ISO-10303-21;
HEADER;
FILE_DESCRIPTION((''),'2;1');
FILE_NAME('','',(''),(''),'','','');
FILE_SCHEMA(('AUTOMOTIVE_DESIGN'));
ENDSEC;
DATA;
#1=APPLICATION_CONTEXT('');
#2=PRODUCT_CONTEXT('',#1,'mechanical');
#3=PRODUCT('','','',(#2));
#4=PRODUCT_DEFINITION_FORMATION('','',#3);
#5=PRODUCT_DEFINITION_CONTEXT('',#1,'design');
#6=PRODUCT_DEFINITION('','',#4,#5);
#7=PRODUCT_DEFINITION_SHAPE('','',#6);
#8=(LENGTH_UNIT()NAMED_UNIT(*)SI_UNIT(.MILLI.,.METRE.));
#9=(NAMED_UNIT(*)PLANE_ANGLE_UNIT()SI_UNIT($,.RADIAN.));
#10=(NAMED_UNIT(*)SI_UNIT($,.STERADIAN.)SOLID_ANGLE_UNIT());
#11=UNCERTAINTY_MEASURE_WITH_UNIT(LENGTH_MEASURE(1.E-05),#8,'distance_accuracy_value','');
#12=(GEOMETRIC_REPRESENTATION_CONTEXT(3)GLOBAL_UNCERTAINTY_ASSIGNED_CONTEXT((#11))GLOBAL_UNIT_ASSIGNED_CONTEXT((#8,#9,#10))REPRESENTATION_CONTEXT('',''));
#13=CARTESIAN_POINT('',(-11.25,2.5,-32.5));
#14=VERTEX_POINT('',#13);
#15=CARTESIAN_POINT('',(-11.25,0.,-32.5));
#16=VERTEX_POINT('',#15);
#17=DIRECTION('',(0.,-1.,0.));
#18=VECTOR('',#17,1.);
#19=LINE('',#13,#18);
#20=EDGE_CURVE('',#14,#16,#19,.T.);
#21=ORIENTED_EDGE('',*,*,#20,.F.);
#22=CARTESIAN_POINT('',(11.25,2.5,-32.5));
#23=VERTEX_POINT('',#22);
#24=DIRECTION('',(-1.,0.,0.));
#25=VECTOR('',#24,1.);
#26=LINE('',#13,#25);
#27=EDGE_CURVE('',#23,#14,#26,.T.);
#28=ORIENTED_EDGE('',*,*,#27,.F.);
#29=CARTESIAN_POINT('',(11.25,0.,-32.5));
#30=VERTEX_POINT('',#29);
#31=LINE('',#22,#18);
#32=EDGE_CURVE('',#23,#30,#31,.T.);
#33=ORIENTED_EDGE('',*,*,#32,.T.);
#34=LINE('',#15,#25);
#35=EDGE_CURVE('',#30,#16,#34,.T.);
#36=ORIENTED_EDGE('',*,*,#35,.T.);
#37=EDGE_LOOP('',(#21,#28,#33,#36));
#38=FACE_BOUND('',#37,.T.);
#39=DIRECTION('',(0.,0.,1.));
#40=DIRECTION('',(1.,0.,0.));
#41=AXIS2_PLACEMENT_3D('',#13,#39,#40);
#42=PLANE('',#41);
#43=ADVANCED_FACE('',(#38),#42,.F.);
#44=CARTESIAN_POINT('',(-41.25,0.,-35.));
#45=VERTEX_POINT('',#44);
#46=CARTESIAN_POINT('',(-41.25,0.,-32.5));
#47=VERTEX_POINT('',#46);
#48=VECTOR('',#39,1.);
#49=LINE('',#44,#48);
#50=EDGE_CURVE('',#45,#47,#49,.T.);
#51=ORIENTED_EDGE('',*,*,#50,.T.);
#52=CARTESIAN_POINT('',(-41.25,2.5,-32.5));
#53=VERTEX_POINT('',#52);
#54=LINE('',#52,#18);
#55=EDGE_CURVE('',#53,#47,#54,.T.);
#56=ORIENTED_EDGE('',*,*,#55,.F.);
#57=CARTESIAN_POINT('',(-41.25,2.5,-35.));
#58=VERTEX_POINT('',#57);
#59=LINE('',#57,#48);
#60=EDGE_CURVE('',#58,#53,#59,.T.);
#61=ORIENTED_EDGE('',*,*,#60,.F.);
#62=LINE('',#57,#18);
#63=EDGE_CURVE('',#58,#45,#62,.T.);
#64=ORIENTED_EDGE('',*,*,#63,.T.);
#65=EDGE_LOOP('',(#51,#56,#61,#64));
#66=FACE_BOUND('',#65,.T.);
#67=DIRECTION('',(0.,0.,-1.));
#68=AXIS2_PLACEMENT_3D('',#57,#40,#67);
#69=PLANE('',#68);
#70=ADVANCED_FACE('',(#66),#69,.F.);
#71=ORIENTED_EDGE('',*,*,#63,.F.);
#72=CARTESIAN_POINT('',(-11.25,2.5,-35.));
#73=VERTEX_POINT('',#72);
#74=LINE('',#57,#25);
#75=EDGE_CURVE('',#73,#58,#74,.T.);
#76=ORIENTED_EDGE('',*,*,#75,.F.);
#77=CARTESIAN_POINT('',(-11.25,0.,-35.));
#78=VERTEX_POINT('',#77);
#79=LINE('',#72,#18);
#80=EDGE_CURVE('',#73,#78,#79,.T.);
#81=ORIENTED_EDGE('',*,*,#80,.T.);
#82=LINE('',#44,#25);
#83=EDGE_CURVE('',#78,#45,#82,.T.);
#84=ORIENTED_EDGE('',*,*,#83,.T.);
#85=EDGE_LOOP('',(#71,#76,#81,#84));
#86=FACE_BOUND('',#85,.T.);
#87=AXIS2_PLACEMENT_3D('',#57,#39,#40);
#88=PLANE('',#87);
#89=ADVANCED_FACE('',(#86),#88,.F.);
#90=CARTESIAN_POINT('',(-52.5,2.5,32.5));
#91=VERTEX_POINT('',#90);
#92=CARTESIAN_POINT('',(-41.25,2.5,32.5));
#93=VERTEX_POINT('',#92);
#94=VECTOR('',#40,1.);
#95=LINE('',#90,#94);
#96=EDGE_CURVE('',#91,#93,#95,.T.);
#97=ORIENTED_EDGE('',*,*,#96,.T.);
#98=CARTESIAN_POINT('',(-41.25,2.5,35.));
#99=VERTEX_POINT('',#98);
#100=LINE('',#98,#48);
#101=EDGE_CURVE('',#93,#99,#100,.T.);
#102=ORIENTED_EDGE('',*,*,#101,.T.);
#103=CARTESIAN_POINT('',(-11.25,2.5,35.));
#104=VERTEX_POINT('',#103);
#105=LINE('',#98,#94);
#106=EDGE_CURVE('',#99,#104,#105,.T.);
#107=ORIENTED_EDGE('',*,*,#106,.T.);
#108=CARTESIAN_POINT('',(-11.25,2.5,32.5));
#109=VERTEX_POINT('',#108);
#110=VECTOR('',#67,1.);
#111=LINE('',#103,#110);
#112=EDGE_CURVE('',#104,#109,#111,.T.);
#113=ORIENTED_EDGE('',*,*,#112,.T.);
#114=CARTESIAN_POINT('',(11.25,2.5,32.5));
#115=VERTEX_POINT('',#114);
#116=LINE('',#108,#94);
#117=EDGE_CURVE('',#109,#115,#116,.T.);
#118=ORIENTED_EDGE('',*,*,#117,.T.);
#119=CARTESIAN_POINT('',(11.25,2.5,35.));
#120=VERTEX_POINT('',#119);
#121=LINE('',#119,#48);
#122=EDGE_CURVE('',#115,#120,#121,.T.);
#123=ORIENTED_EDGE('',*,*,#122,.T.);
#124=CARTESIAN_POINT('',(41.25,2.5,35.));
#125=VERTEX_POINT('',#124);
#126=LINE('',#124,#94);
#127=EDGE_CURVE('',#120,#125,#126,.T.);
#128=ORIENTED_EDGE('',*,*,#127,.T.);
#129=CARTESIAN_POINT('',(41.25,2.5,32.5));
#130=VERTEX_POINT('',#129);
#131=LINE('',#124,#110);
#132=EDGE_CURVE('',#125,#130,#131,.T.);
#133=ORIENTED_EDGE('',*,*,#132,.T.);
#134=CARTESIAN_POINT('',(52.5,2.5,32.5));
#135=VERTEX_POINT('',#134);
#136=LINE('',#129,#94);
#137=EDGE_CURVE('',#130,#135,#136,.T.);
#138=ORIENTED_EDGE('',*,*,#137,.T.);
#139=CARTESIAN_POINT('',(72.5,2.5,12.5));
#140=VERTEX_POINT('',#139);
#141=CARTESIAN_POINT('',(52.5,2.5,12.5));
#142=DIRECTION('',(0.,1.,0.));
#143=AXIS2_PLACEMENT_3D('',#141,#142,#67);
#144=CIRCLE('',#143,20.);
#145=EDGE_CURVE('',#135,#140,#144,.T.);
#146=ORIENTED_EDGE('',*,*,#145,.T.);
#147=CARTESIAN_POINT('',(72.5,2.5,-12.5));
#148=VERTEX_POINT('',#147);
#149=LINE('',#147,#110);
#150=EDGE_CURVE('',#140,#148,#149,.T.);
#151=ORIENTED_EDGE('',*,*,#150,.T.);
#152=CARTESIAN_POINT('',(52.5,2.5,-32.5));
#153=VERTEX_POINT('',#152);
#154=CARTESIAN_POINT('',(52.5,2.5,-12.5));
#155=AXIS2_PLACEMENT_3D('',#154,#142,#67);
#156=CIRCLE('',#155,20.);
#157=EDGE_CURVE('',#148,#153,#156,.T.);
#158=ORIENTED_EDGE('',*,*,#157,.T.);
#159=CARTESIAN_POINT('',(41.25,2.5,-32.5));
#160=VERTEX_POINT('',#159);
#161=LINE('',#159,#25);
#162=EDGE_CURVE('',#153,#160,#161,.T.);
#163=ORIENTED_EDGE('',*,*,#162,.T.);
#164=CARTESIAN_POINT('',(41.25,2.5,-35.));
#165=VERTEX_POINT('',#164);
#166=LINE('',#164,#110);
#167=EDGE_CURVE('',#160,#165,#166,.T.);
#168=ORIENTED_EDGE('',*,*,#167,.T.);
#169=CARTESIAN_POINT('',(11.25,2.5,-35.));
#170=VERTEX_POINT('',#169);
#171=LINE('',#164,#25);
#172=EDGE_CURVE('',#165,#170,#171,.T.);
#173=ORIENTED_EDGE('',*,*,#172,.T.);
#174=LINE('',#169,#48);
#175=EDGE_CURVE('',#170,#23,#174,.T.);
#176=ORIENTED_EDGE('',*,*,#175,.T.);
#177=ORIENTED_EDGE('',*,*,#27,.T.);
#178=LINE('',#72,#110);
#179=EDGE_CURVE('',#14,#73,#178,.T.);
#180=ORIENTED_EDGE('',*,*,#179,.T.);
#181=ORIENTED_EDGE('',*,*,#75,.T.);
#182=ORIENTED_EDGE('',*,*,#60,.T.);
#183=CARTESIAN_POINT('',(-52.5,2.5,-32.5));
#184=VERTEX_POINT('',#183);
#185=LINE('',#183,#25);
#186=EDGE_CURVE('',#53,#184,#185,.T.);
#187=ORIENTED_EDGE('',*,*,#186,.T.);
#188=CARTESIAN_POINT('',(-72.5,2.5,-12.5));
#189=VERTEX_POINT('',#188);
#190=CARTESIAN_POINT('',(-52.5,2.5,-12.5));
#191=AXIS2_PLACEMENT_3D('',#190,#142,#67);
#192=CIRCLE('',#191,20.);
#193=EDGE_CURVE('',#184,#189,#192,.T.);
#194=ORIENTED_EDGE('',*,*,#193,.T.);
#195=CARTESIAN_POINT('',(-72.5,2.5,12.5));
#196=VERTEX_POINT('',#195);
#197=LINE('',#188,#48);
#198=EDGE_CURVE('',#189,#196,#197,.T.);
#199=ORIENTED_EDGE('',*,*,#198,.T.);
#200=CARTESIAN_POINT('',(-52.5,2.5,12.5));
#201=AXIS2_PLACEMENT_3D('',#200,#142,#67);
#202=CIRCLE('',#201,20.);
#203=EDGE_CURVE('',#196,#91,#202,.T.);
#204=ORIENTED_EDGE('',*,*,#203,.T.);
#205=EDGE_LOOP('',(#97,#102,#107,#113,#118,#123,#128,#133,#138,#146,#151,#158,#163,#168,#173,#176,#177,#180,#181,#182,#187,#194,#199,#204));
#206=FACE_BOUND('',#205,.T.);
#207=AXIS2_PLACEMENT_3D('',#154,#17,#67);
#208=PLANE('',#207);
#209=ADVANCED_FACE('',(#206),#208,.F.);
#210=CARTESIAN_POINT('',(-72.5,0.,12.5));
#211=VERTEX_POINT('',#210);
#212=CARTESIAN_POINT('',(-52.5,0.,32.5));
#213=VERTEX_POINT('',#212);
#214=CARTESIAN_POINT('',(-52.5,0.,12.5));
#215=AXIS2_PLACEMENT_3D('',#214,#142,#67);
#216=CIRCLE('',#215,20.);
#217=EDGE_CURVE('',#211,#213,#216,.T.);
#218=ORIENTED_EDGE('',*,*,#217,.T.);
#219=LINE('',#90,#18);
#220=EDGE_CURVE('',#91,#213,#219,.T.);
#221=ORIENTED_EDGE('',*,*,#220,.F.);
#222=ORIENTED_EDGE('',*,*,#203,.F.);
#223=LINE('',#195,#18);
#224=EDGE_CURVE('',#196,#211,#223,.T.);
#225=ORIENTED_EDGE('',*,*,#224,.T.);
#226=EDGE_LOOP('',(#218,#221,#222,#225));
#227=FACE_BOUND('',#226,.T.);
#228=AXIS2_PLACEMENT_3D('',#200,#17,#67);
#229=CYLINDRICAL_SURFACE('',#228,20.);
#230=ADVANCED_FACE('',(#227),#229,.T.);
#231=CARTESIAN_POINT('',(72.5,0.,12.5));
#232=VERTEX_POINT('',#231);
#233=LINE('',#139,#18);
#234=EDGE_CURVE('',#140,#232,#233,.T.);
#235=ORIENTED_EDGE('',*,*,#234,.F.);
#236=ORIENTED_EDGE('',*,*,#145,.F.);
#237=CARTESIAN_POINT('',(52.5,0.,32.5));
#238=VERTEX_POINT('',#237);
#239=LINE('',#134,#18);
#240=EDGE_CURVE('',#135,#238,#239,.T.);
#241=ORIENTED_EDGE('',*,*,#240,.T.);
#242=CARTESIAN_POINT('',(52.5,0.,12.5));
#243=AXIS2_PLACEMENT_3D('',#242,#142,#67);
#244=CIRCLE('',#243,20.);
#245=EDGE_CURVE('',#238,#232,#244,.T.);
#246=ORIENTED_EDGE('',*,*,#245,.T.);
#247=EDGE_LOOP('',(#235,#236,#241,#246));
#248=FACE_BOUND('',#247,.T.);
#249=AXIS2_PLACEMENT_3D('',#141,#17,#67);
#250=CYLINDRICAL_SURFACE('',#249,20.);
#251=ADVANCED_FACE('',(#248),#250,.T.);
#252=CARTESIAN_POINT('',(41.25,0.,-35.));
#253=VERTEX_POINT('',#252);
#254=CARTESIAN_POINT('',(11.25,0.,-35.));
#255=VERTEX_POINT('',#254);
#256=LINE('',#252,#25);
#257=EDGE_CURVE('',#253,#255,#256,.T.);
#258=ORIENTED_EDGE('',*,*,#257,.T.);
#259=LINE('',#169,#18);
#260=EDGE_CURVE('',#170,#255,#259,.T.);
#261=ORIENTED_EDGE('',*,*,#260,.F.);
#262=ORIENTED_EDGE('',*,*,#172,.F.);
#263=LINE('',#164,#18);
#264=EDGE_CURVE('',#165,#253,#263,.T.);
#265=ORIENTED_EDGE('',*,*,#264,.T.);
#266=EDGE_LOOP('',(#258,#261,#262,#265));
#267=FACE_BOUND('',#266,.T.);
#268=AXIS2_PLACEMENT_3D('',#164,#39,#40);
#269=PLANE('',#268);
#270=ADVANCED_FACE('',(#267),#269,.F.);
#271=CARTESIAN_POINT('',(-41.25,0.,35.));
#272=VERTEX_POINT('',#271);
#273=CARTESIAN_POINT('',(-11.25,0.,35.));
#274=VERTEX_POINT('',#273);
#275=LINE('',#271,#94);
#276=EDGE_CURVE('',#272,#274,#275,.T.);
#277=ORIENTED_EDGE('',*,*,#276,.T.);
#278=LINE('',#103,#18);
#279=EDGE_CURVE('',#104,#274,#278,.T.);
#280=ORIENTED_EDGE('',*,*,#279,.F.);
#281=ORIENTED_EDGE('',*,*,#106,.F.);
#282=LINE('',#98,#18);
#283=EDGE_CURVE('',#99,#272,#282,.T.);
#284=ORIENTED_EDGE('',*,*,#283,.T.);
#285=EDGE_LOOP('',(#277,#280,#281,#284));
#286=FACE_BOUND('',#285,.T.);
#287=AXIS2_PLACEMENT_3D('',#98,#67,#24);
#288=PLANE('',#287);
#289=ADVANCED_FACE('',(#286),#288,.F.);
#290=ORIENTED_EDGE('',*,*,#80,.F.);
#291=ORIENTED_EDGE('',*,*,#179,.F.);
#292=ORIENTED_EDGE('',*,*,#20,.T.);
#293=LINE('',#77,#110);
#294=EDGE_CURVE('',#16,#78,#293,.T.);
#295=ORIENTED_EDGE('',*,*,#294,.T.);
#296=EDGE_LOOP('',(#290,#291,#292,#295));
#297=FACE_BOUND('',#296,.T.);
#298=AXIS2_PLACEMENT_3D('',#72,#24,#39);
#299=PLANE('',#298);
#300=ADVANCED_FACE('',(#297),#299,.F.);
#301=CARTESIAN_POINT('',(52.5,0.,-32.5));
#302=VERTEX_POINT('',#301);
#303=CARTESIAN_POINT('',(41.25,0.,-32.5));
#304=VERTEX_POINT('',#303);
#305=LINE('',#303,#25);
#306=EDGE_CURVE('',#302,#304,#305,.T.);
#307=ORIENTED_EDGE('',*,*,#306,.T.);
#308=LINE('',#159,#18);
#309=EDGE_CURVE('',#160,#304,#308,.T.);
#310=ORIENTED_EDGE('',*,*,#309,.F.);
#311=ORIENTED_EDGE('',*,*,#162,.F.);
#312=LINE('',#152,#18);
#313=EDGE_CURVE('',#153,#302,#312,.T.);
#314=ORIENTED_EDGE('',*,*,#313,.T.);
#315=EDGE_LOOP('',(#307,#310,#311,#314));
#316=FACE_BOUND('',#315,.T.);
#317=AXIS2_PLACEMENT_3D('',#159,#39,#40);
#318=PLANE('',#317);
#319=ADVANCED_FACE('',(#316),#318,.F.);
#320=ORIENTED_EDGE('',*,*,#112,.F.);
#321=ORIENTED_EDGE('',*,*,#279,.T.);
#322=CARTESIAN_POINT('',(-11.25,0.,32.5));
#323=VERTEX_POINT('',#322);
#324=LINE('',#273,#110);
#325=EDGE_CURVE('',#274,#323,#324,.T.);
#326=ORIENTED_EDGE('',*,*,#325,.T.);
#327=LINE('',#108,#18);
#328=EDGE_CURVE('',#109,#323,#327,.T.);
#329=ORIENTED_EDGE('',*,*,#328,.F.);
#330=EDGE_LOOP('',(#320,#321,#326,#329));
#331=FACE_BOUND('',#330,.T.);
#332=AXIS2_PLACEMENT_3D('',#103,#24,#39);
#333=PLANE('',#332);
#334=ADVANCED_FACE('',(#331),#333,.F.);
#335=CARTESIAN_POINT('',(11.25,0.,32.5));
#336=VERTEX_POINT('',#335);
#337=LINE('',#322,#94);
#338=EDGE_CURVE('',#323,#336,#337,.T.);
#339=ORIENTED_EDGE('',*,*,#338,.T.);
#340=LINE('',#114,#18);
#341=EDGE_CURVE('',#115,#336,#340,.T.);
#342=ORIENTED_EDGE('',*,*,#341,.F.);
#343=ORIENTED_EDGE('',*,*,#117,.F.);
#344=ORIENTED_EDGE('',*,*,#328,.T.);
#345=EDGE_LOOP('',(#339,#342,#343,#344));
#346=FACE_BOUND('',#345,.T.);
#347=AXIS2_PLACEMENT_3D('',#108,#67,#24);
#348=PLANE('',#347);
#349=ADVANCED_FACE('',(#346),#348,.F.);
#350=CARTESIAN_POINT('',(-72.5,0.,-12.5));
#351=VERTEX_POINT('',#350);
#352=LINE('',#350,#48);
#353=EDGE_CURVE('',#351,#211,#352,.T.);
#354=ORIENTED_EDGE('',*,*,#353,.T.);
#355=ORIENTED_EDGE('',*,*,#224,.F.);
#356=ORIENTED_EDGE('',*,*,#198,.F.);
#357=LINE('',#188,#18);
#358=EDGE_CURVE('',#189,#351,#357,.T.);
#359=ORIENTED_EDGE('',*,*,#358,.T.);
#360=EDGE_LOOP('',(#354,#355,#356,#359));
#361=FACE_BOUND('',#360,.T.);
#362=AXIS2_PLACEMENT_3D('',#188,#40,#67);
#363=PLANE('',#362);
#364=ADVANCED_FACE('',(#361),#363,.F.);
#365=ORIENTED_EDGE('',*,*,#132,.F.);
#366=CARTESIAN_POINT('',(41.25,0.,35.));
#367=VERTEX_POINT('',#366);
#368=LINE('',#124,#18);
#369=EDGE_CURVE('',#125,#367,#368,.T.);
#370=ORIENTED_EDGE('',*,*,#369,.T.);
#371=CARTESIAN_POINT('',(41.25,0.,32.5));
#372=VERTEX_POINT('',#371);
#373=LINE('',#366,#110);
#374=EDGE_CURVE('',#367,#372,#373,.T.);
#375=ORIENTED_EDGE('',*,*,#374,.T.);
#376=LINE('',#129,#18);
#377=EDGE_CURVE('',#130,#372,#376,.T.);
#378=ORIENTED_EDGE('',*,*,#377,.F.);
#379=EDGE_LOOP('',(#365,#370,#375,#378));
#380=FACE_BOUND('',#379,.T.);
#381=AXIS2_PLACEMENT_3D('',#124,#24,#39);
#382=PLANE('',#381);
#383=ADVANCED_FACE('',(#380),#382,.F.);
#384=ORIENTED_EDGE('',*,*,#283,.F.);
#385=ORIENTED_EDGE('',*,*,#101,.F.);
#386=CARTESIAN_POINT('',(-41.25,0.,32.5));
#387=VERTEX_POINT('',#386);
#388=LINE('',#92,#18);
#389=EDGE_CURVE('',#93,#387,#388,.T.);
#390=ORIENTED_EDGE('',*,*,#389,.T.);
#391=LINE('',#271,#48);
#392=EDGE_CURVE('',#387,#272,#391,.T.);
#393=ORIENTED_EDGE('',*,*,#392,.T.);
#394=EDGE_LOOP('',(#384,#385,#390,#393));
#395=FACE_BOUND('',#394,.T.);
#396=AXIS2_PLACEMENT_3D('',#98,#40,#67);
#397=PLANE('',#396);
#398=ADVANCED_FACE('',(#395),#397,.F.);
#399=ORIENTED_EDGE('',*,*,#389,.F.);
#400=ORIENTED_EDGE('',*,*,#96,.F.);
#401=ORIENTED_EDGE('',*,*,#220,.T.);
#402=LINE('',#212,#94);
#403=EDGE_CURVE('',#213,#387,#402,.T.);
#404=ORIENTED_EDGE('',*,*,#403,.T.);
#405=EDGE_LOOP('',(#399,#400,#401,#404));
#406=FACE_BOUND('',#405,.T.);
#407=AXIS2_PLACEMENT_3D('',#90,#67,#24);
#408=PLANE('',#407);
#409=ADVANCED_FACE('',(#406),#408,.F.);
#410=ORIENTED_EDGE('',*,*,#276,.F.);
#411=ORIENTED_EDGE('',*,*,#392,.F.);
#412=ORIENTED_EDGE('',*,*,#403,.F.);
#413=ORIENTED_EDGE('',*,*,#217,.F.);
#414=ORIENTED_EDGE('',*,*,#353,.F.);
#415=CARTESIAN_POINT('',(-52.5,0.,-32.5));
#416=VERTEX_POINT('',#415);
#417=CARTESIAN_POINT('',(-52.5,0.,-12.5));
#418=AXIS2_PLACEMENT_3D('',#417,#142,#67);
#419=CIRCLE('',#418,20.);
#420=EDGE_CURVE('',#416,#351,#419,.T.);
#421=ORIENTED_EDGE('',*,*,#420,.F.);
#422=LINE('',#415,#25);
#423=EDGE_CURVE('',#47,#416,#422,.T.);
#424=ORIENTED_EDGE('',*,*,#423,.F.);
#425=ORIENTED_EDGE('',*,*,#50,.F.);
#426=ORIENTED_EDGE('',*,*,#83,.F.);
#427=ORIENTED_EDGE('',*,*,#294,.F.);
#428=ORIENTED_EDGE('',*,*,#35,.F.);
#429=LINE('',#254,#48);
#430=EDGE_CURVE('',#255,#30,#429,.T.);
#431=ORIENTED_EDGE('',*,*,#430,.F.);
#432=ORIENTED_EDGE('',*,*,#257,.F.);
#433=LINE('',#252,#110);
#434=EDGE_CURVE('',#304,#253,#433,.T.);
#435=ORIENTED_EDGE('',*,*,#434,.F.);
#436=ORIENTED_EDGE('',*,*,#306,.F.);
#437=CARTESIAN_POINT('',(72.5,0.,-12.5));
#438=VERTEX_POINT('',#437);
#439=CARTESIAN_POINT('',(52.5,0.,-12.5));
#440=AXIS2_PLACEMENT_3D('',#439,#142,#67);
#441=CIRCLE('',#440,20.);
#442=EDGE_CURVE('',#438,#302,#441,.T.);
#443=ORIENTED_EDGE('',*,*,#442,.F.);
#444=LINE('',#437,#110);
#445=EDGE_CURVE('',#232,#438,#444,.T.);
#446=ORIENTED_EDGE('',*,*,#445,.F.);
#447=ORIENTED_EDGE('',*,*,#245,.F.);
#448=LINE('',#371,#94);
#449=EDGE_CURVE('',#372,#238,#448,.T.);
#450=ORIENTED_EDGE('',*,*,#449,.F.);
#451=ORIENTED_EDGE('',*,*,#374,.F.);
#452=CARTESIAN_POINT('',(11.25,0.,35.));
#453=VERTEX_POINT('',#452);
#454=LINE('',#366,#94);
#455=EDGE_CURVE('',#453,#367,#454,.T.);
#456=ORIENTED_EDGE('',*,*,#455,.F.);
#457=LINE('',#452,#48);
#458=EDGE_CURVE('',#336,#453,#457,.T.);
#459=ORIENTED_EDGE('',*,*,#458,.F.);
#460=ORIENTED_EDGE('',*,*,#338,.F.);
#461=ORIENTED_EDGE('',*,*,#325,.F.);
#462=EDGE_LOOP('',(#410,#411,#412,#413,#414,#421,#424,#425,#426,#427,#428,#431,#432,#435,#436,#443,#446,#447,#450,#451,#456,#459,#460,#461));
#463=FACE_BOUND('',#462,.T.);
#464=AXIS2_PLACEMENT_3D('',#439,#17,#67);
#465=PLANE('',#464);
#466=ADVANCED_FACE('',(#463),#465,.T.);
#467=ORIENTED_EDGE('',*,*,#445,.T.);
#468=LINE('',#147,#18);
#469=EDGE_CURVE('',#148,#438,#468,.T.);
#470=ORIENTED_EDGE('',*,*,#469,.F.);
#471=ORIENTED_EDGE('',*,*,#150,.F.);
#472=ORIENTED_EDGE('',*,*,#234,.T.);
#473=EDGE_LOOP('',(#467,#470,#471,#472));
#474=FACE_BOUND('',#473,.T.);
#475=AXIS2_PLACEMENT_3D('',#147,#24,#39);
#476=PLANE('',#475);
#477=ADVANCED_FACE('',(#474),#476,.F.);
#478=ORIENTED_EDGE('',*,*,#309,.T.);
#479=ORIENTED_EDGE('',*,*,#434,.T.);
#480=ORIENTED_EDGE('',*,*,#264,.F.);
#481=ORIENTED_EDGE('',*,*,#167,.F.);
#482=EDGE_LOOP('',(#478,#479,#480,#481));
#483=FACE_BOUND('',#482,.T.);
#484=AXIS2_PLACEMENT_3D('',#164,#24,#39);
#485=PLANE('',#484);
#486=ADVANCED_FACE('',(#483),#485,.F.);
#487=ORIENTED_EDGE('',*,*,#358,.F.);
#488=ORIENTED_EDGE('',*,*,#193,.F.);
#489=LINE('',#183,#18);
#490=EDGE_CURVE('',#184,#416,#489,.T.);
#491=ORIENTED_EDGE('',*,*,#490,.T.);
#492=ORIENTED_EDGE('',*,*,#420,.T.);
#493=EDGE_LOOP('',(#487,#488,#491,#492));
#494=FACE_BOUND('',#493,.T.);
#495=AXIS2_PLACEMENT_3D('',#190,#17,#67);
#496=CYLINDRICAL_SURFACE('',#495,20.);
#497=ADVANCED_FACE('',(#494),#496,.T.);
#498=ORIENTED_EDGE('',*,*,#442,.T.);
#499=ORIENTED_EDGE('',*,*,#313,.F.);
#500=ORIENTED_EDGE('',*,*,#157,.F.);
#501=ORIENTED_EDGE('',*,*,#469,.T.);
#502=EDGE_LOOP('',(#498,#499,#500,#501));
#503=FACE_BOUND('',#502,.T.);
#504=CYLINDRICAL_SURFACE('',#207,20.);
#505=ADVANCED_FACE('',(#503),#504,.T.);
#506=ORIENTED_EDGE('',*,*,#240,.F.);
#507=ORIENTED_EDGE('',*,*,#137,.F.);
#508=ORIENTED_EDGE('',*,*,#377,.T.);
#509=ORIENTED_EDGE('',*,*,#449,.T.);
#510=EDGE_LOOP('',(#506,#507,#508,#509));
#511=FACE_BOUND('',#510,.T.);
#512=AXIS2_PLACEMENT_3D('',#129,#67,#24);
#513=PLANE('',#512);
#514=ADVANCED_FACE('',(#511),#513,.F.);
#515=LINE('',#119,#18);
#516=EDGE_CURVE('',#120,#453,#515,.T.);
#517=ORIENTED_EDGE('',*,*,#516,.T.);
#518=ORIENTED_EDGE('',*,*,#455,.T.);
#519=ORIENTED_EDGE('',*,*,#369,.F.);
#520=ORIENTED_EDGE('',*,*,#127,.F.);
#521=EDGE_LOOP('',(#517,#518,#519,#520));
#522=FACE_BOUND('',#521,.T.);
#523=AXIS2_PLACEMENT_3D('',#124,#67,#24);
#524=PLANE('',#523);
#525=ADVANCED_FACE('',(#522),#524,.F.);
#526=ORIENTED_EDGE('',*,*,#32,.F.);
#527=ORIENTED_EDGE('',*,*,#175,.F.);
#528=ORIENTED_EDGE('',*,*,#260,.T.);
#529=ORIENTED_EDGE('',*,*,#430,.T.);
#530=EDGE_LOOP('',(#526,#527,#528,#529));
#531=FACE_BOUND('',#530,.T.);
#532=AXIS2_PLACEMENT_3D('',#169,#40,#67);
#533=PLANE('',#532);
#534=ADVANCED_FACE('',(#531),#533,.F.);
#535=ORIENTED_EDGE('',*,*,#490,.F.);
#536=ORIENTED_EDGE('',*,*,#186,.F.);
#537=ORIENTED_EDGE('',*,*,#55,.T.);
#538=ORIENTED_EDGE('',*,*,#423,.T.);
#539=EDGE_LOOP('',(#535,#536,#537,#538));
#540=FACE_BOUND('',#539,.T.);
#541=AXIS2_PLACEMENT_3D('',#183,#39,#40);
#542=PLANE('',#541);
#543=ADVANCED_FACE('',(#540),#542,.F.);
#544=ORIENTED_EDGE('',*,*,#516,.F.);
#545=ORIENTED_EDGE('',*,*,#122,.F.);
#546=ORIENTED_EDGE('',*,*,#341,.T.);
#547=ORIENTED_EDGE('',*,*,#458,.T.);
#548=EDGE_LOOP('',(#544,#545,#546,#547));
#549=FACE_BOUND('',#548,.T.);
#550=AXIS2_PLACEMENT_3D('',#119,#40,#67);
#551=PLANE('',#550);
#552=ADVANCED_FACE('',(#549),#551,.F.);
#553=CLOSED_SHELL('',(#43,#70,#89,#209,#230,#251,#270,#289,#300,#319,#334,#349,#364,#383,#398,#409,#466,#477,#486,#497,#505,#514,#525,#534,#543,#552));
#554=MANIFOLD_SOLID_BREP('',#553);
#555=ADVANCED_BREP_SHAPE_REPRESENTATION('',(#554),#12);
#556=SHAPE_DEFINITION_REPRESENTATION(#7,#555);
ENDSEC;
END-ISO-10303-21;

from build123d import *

# Parameters (mm, degrees)
BOSS_EXTRUDE2_DEPTH = 2.5


with BuildPart() as part:
    # Sketch1 → Boss-Extrude2 (new body)
    with BuildSketch(Plane(origin=(0, 0, 0), x_dir=(1, 0, 0), z_dir=(0, 1, 0))):
        with BuildLine():
            Line((-52.5, 32.5), (-41.25, 32.5))
            Line((-41.25, 32.5), (-41.25, 35))
            Line((-41.25, 35), (-11.25, 35))
            Line((-11.25, 35), (-11.25, 32.5))
            Line((-11.25, 32.5), (11.25, 32.5))
            Line((11.25, 32.5), (11.25, 35))
            Line((11.25, 35), (41.25, 35))
            Line((41.25, 35), (41.25, 32.5))
            Line((41.25, 32.5), (52.5, 32.5))
            ThreePointArc((52.5, 32.5), (66.642135624, 26.642135624), (72.5, 12.5))
            Line((72.5, 12.5), (72.5, -12.5))
            ThreePointArc((72.5, -12.5), (66.642135624, -26.642135624), (52.5, -32.5))
            Line((52.5, -32.5), (41.25, -32.5))
            Line((41.25, -32.5), (41.25, -35))
            Line((41.25, -35), (11.25, -35))
            Line((11.25, -35), (11.25, -32.5))
            Line((11.25, -32.5), (-11.25, -32.5))
            Line((-11.25, -32.5), (-11.25, -35))
            Line((-11.25, -35), (-41.25, -35))
            Line((-41.25, -35), (-41.25, -32.5))
            Line((-41.25, -32.5), (-52.5, -32.5))
            ThreePointArc((-52.5, -32.5), (-66.642135624, -26.642135624), (-72.5, -12.5))
            Line((-72.5, -12.5), (-72.5, 12.5))
            ThreePointArc((-72.5, 12.5), (-66.642135624, 26.642135624), (-52.5, 32.5))
        make_face()
    extrude(amount=BOSS_EXTRUDE2_DEPTH)


solid = part.part
